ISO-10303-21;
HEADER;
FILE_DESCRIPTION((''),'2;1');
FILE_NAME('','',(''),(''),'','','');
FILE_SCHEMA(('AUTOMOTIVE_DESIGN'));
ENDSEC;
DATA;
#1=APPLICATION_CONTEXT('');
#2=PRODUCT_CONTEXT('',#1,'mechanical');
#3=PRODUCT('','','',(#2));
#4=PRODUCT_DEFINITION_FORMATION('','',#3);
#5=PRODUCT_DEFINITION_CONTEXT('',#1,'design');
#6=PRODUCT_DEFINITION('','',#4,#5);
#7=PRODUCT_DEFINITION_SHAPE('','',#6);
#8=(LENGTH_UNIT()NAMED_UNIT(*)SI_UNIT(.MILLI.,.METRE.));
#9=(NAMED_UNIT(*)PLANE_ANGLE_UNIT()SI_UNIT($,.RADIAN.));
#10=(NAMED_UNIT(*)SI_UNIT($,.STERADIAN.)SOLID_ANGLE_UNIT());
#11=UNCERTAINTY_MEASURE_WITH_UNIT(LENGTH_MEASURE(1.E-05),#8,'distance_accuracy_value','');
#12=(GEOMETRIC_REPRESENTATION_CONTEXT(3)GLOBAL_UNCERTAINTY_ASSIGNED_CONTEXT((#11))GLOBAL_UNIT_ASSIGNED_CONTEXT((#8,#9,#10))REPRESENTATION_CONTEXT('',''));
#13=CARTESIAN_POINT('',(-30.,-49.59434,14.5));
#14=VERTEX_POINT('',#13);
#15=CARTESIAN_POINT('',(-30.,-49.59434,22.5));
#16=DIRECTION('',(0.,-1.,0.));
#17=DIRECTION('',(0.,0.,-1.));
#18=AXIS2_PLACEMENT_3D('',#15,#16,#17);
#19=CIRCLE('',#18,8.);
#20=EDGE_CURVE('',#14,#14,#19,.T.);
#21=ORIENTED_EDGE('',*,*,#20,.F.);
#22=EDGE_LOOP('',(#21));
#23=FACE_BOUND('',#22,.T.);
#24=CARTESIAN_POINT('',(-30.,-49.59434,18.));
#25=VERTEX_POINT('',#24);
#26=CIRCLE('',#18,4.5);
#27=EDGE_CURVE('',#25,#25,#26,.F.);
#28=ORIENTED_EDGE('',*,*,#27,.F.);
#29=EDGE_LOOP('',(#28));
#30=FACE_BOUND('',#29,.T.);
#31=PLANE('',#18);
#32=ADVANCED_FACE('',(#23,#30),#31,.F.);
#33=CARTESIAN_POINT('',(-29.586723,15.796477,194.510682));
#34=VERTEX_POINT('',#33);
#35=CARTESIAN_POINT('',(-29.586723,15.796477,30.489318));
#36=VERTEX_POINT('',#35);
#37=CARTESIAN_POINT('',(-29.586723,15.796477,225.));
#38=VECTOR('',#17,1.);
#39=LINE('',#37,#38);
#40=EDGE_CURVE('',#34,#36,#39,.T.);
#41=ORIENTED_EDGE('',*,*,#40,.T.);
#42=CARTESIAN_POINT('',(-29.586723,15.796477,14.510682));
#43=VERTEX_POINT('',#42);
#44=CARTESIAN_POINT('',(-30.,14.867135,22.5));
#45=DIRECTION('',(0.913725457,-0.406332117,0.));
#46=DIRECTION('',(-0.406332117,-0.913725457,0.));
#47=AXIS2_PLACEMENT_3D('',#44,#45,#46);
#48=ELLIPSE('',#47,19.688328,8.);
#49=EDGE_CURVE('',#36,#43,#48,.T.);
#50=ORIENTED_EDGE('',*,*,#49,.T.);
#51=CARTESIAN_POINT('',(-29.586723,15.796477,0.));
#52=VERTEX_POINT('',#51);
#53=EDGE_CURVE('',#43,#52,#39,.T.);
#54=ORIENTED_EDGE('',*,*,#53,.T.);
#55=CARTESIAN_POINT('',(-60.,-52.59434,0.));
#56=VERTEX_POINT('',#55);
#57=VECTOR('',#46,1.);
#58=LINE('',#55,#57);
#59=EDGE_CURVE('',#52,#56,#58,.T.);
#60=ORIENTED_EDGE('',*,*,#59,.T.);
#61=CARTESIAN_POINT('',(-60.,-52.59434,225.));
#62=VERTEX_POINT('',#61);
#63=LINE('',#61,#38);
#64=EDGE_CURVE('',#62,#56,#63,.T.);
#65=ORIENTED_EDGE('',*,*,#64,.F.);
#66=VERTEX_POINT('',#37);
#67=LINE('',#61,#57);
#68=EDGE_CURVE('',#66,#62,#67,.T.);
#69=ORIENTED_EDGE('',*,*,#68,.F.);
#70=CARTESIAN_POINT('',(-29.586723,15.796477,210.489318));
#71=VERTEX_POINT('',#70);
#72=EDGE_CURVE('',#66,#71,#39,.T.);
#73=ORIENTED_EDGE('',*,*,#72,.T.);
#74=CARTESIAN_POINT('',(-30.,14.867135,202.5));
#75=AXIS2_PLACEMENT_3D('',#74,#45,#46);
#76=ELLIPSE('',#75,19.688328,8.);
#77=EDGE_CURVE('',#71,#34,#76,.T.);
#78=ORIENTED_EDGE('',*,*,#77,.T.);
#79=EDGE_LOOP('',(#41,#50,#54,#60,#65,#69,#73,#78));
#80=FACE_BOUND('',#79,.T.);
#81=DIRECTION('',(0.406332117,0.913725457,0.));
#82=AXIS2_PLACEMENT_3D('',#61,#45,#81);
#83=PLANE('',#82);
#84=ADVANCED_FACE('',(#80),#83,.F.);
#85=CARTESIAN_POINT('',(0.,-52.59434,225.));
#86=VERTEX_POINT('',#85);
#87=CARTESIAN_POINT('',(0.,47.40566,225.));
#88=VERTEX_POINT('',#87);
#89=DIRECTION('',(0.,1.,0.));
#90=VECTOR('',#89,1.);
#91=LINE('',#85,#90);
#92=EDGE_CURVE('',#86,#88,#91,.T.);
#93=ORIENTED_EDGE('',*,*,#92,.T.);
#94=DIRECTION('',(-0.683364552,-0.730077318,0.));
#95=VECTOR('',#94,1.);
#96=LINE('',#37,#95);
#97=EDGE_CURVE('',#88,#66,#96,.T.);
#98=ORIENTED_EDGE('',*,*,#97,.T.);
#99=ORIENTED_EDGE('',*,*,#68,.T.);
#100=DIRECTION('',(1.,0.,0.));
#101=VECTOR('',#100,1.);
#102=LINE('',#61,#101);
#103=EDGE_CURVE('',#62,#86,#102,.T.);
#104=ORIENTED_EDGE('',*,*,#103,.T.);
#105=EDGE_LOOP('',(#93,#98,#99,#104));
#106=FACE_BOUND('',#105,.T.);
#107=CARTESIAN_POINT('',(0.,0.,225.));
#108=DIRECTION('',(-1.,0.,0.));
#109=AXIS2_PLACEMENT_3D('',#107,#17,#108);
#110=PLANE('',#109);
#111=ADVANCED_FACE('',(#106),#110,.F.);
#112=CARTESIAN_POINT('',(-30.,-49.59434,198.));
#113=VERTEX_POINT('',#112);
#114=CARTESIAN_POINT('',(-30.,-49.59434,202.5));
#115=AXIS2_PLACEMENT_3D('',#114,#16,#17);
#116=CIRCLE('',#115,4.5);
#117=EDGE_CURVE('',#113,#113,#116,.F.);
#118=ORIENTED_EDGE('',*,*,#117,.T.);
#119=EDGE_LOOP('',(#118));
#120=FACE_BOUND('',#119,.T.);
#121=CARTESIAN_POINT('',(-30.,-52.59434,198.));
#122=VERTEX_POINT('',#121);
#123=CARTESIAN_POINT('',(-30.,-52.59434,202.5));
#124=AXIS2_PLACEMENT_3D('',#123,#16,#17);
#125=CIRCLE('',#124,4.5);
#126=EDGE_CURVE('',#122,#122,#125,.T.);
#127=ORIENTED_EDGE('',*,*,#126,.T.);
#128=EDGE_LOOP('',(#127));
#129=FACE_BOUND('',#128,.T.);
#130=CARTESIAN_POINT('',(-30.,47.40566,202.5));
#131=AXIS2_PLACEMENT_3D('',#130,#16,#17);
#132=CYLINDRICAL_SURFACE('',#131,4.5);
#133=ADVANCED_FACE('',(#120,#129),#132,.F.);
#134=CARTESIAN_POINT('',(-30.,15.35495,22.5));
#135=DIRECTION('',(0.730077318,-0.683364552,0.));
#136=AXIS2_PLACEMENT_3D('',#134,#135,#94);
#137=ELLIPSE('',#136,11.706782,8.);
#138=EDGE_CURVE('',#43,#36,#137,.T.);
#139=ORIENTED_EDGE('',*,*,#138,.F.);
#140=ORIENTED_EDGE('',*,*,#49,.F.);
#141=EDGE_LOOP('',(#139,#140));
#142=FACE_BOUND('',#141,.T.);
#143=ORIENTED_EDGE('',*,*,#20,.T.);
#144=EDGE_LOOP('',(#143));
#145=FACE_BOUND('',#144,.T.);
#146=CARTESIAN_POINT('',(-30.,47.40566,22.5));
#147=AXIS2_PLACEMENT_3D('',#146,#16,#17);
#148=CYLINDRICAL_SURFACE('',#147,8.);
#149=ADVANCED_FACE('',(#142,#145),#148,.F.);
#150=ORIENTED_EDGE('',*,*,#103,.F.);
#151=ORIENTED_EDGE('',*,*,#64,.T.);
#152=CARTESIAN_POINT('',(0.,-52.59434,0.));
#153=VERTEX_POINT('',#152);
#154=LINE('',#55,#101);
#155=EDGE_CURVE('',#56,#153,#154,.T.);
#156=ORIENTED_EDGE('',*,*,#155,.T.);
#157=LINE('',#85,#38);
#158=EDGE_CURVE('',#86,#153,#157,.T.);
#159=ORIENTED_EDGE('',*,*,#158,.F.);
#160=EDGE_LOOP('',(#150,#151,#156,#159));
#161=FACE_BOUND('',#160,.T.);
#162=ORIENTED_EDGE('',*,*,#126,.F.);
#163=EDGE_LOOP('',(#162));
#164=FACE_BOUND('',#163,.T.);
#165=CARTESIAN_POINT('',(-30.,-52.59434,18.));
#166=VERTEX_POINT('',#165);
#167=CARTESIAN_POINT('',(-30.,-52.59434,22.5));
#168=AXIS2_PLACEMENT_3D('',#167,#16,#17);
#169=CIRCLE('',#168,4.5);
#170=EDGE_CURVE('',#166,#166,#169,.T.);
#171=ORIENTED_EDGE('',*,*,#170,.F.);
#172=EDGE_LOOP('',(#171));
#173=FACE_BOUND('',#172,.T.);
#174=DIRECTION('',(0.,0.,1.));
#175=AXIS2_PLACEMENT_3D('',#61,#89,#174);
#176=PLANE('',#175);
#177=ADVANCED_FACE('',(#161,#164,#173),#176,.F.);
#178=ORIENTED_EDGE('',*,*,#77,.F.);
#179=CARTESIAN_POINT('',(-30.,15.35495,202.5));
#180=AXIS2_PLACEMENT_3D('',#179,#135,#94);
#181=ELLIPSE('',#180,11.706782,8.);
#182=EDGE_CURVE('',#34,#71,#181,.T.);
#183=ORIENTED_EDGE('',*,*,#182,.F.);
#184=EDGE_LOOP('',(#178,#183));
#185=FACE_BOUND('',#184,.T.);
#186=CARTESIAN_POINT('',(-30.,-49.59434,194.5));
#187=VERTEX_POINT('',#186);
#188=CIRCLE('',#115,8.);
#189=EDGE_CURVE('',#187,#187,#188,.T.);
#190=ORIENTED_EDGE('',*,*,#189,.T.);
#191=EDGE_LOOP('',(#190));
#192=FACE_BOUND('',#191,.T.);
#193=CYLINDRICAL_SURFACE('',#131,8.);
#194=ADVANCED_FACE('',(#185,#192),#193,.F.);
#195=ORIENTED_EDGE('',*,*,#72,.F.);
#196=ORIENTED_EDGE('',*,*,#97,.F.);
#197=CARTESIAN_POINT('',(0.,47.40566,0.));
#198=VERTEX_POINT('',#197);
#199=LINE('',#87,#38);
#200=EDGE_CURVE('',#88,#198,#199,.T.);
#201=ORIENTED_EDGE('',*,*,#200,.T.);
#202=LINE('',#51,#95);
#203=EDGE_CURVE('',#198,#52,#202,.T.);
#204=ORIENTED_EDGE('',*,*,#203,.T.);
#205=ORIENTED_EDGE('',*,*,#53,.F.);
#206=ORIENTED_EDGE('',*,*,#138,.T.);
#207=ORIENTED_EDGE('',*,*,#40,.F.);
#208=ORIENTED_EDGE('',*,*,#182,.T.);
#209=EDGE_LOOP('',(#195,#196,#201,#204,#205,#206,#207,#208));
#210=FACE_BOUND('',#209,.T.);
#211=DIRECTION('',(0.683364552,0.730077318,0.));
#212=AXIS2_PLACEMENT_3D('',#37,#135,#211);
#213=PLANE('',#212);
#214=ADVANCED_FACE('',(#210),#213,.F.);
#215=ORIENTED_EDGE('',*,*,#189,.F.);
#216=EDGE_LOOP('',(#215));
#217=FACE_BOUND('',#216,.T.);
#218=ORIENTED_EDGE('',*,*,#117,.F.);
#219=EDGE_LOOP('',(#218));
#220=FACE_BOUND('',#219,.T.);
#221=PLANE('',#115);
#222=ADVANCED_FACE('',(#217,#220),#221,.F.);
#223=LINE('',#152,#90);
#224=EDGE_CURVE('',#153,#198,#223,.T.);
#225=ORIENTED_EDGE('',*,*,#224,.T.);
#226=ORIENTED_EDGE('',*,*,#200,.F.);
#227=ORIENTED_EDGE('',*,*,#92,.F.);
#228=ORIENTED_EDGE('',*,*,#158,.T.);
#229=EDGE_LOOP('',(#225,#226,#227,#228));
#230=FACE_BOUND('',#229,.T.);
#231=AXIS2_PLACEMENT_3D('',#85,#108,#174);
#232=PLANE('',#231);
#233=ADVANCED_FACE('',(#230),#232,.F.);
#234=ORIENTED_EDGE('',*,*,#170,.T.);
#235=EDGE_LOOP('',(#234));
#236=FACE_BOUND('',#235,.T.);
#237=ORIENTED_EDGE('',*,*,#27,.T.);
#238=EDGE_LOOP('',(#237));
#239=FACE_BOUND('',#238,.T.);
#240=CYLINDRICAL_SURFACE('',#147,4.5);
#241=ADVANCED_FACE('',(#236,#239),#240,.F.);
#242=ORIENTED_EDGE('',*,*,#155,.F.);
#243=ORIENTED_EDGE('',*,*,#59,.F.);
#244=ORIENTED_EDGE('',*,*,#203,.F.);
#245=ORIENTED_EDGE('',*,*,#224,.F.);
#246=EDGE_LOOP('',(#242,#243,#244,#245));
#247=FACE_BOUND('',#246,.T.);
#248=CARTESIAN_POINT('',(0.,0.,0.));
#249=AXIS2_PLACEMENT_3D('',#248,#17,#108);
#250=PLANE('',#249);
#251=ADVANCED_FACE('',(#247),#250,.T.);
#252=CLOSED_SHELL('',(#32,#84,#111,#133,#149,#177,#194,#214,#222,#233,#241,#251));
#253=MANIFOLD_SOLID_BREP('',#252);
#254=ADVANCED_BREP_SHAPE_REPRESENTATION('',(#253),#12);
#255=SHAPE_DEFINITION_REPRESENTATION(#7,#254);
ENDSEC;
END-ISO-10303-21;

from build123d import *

# Parameters (mm, degrees)
BOSS_EXTRUDE1_DEPTH = 225
SKETCH2_R           = 4.5
CUT_EXTRUDE5_DEPTH  = 101
SKETCH6_R           = 8
CUT_EXTRUDE6_DEPTH  = 98


with BuildPart() as part:
    # Sketch1 → Boss-Extrude1 (new body)
    with BuildSketch(Plane.XY):
        Polygon((-60, -52.594339623), (0, -52.594339623), (0, 47.405660377), (-29.586723225, 15.796476851), align=None)
    extrude(amount=BOSS_EXTRUDE1_DEPTH)

    # Sketch2 → Cut-Extrude5 (cut, through all)
    with BuildSketch(Plane.XZ.offset(52.594339623)):
        with Locations((-30, 202.5)):
            Circle(SKETCH2_R)
        with Locations((-30, 22.5)):
            Circle(SKETCH2_R)
    extrude(amount=-CUT_EXTRUDE5_DEPTH, mode=Mode.SUBTRACT)

    # Sketch6 → Cut-Extrude6 (cut, through all)
    with BuildSketch(Plane(origin=(0, -49.594339623, 0), x_dir=(-1, 0, 0), z_dir=(0, -1, 0))):
        with Locations((30, -22.5)):
            Circle(SKETCH6_R)
        with Locations((30, -202.5)):
            Circle(SKETCH6_R)
    extrude(amount=-CUT_EXTRUDE6_DEPTH, mode=Mode.SUBTRACT)


solid = part.part
